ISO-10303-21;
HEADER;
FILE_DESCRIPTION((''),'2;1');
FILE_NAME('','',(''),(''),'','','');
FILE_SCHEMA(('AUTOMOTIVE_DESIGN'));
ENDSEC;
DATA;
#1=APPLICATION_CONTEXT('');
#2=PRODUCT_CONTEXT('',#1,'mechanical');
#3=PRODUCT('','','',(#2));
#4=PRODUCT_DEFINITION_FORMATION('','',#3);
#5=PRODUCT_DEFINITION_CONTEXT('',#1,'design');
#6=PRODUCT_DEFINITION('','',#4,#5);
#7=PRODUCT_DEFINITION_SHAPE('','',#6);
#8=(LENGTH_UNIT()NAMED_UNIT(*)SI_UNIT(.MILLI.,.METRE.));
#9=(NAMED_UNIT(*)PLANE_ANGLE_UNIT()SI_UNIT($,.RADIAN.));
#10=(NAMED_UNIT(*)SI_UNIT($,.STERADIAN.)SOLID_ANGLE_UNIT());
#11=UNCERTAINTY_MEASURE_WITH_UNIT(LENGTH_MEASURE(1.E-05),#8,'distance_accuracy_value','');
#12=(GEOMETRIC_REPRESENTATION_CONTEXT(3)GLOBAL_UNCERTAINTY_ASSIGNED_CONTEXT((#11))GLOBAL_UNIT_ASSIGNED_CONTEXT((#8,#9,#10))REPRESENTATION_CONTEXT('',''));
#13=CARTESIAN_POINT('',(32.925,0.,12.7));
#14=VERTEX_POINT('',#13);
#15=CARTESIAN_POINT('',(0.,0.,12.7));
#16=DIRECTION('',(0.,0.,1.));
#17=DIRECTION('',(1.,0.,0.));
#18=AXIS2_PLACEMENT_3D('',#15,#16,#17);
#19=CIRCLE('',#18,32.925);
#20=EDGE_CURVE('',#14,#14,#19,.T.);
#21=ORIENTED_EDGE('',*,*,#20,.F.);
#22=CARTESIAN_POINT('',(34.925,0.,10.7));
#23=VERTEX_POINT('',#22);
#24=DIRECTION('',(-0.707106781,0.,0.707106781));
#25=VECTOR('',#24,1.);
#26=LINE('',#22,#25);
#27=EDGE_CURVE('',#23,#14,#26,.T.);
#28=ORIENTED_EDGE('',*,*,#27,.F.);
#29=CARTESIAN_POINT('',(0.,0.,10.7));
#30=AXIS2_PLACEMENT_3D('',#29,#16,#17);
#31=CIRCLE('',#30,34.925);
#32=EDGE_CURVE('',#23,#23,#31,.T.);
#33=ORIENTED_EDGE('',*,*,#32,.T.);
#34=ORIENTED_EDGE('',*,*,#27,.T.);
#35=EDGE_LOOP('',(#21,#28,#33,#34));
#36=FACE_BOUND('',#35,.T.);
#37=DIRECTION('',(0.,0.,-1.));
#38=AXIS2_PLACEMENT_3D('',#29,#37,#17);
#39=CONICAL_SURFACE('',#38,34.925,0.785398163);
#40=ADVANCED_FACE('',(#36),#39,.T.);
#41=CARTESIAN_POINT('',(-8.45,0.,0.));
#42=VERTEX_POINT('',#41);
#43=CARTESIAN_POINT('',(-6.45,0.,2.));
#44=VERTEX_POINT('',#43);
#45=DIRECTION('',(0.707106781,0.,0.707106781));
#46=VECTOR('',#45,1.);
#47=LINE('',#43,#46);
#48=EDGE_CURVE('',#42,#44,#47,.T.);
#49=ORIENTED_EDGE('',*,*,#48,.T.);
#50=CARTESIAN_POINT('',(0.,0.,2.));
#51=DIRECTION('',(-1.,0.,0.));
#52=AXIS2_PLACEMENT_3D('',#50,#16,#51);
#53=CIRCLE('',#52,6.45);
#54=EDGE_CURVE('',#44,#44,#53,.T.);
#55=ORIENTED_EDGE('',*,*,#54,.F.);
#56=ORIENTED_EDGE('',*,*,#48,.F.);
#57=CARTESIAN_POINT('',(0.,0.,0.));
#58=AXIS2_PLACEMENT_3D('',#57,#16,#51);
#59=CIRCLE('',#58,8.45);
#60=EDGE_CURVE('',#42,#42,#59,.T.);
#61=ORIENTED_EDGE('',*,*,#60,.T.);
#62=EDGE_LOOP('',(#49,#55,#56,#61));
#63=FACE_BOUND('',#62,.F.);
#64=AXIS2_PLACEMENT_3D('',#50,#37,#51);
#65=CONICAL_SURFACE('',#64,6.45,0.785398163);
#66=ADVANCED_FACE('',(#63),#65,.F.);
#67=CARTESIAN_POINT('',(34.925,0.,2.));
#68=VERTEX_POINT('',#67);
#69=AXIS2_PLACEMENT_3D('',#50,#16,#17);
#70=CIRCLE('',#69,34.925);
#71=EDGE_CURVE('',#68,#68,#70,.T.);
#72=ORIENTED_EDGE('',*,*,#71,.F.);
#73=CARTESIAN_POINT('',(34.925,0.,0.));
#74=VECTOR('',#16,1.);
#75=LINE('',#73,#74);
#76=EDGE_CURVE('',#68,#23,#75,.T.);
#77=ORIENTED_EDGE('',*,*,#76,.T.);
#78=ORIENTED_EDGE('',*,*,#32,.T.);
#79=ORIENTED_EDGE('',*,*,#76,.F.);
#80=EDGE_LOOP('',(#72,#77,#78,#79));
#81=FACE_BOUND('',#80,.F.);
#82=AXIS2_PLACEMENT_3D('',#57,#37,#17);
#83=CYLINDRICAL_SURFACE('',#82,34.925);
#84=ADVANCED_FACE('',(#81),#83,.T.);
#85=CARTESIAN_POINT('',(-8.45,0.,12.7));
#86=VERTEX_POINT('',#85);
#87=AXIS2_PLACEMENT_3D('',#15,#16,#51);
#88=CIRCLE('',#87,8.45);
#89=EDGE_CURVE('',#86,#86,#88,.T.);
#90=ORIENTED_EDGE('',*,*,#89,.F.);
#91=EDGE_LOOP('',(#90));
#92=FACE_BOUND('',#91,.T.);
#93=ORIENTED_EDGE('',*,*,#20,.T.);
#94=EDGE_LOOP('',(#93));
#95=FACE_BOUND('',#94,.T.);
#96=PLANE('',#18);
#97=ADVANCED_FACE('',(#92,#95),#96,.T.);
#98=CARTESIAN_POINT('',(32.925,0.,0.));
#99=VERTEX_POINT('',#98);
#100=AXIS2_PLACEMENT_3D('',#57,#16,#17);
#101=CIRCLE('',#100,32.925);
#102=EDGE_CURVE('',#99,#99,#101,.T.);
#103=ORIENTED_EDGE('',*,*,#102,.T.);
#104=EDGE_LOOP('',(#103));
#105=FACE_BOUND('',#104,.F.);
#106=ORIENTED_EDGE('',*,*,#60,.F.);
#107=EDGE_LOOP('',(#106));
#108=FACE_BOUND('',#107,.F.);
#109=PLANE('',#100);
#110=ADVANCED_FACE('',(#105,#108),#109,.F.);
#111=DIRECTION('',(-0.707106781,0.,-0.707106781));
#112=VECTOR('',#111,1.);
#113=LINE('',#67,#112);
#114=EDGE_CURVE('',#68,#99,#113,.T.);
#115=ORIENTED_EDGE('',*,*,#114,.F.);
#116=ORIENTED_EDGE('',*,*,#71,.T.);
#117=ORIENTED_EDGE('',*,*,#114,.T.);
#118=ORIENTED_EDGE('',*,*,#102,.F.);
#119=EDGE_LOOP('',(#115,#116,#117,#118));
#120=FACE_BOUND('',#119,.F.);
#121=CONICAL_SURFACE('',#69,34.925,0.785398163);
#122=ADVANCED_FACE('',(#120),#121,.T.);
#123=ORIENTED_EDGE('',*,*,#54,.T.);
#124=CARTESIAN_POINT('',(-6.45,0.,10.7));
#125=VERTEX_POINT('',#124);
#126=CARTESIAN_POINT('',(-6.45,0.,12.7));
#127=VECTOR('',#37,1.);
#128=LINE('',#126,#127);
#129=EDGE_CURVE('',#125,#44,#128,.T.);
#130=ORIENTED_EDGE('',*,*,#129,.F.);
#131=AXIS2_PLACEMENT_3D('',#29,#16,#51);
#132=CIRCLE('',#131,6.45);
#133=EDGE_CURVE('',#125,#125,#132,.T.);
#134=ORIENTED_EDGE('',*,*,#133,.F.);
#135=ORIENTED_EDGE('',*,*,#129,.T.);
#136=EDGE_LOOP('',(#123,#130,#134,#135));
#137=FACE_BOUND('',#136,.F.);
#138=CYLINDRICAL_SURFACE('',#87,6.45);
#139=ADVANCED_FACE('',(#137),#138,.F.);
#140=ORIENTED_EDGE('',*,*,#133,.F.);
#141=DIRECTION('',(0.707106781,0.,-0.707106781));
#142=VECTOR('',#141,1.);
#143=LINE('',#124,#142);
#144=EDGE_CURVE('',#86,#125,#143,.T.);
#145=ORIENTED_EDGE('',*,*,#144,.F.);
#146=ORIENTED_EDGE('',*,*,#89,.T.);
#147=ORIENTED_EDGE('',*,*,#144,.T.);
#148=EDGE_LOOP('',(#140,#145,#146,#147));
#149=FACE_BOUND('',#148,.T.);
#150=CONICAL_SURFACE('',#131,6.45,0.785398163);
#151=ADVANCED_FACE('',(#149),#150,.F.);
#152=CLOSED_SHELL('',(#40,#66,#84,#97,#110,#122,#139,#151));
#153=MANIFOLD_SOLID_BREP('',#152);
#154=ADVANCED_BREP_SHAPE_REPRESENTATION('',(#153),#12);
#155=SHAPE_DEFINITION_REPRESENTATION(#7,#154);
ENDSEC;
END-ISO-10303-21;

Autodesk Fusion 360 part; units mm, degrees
sketch "Roller_Insert" plane through (0, 0, 0) normal (0, 0, 1) x (1, 0, 0)
  circle A0 centre (0, 0) radius 34.925
  dimension "d1" = 69.85
extrude "Extrude2" add sketch "Roller_Insert" along normal blind 12.7
sketch "Pipe Cutout" plane through (0, 0, 12.7) normal (0, 0, 1) x (-1, 0, 0)
  circle A0 centre (0, 0) radius 34.925
  circle A1 centre (0, 0) radius 6.45
  dimension "d9" = 12.9
extrude "Extrude3" cut sketch "Pipe Cutout" against normal through all contours A1
chamfer "Chamfer1" distance 2 angle 45 4 edges at (6.0135, -2.3324, 12.7) (-32.5615, -12.6294, 12.7) (-32.5615, -12.6294, 0) (6.0135, 2.3324, 0)
